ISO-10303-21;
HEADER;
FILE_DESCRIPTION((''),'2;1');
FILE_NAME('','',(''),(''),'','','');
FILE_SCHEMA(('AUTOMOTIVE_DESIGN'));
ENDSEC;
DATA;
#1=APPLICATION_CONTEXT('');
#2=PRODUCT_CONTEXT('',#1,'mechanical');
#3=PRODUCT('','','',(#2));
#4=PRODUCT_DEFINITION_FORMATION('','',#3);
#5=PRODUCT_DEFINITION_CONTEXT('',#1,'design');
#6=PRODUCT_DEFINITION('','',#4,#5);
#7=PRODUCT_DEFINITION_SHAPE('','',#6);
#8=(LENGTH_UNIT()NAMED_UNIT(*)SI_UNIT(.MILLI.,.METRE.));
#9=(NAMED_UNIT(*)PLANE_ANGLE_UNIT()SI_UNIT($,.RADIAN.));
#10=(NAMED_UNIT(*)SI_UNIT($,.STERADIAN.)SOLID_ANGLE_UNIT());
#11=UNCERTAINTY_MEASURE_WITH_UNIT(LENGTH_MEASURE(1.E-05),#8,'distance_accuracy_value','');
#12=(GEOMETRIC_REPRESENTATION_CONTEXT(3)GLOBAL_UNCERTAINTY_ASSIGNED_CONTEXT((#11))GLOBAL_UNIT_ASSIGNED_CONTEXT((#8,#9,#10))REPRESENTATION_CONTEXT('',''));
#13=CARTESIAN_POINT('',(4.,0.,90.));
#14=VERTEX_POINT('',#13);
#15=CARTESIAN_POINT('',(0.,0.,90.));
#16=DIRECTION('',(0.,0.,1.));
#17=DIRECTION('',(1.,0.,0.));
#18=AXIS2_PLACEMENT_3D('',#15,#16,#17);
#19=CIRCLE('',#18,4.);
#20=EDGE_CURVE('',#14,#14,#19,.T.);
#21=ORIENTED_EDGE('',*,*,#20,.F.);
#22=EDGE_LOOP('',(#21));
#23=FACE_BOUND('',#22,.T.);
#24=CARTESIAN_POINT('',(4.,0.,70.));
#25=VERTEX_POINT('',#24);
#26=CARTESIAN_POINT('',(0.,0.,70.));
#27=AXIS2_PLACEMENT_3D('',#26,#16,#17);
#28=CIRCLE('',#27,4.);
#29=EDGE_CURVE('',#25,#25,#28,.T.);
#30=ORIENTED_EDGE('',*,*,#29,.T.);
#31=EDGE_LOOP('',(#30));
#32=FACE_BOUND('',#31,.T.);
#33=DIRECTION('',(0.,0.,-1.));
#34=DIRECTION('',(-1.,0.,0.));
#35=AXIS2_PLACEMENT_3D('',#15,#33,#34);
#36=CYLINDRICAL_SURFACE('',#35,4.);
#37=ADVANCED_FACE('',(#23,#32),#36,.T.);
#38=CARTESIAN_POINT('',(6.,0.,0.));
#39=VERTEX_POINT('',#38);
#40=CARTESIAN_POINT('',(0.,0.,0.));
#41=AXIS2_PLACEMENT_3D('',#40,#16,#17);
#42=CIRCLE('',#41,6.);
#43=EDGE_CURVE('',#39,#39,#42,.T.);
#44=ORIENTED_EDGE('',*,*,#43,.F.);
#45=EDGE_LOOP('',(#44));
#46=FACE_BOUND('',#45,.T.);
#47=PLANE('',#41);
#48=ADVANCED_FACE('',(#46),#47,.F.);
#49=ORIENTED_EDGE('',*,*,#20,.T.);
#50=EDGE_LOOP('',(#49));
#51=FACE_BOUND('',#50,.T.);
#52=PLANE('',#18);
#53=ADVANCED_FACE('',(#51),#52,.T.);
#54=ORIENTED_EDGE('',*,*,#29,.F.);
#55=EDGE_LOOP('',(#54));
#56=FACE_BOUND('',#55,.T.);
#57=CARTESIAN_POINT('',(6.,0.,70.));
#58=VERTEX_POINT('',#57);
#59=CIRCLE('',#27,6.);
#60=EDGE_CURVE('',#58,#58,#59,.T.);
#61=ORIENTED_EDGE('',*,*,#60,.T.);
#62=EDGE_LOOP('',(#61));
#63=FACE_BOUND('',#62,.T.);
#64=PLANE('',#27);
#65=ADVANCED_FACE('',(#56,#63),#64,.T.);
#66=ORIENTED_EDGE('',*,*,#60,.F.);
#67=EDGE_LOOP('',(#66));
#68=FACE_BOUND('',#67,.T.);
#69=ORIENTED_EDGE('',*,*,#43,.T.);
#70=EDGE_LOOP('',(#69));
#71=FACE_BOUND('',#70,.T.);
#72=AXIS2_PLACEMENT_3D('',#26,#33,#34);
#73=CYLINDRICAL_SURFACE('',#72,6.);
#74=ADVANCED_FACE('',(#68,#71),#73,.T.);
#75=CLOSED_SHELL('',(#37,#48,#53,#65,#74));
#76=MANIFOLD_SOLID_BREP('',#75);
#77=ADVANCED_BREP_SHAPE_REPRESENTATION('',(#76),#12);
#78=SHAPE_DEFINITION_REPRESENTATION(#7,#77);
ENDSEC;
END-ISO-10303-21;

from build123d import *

# Parameters (mm, degrees)
SKETCH1_R           = 6
BOSS_EXTRUDE1_DEPTH = 70
SKETCH2_R           = 4
BOSS_EXTRUDE2_DEPTH = 20


with BuildPart() as part:
    # Sketch1 → Boss-Extrude1 (new body)
    with BuildSketch(Plane.XY):
        Circle(SKETCH1_R)
    extrude(amount=BOSS_EXTRUDE1_DEPTH)

    # Sketch2 → Boss-Extrude2 (add)
    with BuildSketch(Plane.XY.offset(70)):
        Circle(SKETCH2_R)
    extrude(amount=BOSS_EXTRUDE2_DEPTH)


solid = part.part
